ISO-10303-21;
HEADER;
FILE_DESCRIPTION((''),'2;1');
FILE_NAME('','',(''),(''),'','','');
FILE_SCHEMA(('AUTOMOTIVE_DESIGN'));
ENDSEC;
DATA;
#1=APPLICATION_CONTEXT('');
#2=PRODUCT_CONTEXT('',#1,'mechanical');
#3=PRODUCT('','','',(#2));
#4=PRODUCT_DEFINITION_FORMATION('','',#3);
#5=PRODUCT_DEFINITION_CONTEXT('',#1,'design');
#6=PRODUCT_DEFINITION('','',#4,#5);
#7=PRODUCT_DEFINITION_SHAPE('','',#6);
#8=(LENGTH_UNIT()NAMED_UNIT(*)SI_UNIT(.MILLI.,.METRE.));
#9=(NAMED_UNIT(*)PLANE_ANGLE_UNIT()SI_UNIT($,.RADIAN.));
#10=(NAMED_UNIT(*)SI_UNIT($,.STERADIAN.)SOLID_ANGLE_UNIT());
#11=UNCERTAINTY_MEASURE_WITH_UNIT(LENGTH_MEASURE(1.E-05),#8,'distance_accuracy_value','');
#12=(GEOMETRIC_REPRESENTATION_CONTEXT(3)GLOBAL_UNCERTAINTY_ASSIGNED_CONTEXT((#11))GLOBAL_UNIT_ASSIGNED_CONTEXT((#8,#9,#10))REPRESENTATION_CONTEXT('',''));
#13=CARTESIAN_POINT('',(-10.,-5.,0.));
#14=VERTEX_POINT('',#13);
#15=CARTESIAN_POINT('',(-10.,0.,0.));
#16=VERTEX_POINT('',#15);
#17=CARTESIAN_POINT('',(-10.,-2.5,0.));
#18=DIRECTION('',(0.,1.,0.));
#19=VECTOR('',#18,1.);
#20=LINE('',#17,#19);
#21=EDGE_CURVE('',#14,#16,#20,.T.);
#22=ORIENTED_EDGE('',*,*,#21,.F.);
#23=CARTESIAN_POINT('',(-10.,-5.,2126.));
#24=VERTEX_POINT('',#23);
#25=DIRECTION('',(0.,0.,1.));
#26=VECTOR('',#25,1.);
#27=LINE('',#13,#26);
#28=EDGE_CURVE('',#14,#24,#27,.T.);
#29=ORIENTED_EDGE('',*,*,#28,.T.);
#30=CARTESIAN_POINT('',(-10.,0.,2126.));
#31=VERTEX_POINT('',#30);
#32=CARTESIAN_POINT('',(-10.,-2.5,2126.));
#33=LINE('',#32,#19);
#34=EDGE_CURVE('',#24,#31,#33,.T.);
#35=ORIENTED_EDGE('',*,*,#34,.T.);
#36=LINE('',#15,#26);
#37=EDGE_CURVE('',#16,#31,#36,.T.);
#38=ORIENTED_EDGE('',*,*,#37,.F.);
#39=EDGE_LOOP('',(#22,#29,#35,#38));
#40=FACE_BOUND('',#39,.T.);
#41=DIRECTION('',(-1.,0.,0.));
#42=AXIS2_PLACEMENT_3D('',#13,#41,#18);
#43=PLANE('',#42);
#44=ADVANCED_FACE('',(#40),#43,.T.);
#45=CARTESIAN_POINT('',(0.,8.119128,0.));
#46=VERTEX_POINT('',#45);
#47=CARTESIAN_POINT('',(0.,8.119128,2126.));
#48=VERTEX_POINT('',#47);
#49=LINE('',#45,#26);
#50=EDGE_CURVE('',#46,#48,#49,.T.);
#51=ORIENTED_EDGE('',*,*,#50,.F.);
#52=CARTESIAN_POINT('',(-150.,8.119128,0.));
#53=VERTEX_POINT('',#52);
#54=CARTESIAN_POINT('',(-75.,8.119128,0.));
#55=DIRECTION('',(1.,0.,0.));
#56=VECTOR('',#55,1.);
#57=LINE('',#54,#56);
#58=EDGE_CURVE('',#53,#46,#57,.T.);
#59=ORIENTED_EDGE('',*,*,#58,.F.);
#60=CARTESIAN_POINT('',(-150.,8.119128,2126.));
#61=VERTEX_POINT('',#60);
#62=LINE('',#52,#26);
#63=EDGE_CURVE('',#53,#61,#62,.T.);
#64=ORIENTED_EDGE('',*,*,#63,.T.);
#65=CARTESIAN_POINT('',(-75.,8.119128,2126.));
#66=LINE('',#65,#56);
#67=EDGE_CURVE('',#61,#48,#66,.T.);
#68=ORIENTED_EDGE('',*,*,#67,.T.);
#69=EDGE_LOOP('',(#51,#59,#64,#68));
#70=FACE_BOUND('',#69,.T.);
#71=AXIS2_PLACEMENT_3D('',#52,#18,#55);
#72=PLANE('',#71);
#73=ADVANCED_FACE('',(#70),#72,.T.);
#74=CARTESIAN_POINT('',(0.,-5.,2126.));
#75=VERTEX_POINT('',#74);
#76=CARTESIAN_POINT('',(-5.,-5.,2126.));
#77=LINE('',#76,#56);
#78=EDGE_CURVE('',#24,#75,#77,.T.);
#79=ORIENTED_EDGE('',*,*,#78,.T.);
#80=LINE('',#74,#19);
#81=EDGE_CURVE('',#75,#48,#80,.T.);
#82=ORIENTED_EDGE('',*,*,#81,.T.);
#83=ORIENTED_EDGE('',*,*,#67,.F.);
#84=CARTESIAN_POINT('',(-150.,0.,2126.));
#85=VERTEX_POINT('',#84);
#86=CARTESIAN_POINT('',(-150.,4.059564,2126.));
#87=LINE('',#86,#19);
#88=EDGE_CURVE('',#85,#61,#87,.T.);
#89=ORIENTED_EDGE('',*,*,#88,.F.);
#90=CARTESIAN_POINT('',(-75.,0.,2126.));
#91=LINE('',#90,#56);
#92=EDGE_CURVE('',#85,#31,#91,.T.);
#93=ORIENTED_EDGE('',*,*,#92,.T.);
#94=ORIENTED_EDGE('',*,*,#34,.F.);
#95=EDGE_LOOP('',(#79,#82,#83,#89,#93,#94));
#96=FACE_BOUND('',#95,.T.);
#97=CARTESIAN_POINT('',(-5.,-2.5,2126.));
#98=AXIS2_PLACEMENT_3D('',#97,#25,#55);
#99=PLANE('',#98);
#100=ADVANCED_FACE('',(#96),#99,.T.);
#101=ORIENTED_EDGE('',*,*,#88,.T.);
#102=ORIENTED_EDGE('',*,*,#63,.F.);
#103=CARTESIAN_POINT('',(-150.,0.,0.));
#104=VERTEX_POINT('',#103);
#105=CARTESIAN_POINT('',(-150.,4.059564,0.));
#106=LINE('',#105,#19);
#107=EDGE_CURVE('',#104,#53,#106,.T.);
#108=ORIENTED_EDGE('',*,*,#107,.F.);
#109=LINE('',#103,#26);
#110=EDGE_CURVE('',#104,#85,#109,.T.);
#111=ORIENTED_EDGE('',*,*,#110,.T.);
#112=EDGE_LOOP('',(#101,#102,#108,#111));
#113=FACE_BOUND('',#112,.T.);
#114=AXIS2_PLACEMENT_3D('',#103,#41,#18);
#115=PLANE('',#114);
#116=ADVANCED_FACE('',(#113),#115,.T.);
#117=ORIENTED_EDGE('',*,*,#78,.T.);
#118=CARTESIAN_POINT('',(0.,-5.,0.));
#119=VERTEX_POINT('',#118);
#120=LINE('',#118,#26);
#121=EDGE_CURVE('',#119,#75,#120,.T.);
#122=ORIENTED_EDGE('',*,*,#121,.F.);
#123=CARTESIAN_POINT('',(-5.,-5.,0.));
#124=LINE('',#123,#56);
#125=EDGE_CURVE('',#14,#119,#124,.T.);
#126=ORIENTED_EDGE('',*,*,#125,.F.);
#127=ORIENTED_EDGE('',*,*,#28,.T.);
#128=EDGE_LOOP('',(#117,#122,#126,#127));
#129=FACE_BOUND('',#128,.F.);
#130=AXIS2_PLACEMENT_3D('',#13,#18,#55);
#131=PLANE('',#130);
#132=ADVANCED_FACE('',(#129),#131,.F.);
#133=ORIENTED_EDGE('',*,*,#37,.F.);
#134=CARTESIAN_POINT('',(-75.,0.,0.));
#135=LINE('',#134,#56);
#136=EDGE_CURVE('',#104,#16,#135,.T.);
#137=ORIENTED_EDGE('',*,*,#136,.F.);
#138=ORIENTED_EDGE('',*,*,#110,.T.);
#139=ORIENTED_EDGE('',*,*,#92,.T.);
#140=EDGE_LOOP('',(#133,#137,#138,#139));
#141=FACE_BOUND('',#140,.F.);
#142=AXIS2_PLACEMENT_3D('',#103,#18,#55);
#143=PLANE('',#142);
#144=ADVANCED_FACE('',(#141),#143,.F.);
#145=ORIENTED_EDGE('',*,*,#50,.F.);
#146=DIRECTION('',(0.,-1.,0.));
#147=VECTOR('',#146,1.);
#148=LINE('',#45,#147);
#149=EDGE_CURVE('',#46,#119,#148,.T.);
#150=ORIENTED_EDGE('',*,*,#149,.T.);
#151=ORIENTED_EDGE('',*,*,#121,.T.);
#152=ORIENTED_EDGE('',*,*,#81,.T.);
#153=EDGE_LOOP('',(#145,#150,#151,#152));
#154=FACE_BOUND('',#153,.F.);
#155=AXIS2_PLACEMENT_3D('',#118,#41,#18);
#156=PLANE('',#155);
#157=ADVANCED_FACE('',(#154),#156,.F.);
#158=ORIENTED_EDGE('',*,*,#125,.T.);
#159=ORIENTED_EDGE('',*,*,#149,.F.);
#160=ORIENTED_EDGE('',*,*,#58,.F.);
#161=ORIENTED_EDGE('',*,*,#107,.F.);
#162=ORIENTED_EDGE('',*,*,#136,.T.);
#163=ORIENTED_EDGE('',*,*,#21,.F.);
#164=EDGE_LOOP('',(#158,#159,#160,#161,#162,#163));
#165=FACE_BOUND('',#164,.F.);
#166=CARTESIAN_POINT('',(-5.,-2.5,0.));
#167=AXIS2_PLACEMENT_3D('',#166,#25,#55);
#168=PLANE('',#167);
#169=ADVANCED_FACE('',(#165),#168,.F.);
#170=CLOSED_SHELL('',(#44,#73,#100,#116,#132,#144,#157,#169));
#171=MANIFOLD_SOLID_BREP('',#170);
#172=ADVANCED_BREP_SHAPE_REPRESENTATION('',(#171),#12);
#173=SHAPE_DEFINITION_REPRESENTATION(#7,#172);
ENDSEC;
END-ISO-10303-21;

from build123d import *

# Parameters (mm, degrees)
F0_W     = 150
F0_H     = 8.119128
F1_DEPTH = 2126
F2_W     = 10
F2_H     = 5
F3_DEPTH = 2126


with BuildPart() as f1:
    # F0 (on Top) → F1 (new body)
    with BuildSketch(Plane.XY):
        with Locations((-75, 4.059564)):
            Rectangle(F0_W, F0_H)
    extrude(amount=F1_DEPTH)

    # F2 (on Top) → F3 (join, through all)
    with BuildSketch(Plane.XY):
        with Locations((-5, -2.5)):
            Rectangle(F2_W, F2_H)
    extrude(amount=F3_DEPTH)


solid = f1.part
